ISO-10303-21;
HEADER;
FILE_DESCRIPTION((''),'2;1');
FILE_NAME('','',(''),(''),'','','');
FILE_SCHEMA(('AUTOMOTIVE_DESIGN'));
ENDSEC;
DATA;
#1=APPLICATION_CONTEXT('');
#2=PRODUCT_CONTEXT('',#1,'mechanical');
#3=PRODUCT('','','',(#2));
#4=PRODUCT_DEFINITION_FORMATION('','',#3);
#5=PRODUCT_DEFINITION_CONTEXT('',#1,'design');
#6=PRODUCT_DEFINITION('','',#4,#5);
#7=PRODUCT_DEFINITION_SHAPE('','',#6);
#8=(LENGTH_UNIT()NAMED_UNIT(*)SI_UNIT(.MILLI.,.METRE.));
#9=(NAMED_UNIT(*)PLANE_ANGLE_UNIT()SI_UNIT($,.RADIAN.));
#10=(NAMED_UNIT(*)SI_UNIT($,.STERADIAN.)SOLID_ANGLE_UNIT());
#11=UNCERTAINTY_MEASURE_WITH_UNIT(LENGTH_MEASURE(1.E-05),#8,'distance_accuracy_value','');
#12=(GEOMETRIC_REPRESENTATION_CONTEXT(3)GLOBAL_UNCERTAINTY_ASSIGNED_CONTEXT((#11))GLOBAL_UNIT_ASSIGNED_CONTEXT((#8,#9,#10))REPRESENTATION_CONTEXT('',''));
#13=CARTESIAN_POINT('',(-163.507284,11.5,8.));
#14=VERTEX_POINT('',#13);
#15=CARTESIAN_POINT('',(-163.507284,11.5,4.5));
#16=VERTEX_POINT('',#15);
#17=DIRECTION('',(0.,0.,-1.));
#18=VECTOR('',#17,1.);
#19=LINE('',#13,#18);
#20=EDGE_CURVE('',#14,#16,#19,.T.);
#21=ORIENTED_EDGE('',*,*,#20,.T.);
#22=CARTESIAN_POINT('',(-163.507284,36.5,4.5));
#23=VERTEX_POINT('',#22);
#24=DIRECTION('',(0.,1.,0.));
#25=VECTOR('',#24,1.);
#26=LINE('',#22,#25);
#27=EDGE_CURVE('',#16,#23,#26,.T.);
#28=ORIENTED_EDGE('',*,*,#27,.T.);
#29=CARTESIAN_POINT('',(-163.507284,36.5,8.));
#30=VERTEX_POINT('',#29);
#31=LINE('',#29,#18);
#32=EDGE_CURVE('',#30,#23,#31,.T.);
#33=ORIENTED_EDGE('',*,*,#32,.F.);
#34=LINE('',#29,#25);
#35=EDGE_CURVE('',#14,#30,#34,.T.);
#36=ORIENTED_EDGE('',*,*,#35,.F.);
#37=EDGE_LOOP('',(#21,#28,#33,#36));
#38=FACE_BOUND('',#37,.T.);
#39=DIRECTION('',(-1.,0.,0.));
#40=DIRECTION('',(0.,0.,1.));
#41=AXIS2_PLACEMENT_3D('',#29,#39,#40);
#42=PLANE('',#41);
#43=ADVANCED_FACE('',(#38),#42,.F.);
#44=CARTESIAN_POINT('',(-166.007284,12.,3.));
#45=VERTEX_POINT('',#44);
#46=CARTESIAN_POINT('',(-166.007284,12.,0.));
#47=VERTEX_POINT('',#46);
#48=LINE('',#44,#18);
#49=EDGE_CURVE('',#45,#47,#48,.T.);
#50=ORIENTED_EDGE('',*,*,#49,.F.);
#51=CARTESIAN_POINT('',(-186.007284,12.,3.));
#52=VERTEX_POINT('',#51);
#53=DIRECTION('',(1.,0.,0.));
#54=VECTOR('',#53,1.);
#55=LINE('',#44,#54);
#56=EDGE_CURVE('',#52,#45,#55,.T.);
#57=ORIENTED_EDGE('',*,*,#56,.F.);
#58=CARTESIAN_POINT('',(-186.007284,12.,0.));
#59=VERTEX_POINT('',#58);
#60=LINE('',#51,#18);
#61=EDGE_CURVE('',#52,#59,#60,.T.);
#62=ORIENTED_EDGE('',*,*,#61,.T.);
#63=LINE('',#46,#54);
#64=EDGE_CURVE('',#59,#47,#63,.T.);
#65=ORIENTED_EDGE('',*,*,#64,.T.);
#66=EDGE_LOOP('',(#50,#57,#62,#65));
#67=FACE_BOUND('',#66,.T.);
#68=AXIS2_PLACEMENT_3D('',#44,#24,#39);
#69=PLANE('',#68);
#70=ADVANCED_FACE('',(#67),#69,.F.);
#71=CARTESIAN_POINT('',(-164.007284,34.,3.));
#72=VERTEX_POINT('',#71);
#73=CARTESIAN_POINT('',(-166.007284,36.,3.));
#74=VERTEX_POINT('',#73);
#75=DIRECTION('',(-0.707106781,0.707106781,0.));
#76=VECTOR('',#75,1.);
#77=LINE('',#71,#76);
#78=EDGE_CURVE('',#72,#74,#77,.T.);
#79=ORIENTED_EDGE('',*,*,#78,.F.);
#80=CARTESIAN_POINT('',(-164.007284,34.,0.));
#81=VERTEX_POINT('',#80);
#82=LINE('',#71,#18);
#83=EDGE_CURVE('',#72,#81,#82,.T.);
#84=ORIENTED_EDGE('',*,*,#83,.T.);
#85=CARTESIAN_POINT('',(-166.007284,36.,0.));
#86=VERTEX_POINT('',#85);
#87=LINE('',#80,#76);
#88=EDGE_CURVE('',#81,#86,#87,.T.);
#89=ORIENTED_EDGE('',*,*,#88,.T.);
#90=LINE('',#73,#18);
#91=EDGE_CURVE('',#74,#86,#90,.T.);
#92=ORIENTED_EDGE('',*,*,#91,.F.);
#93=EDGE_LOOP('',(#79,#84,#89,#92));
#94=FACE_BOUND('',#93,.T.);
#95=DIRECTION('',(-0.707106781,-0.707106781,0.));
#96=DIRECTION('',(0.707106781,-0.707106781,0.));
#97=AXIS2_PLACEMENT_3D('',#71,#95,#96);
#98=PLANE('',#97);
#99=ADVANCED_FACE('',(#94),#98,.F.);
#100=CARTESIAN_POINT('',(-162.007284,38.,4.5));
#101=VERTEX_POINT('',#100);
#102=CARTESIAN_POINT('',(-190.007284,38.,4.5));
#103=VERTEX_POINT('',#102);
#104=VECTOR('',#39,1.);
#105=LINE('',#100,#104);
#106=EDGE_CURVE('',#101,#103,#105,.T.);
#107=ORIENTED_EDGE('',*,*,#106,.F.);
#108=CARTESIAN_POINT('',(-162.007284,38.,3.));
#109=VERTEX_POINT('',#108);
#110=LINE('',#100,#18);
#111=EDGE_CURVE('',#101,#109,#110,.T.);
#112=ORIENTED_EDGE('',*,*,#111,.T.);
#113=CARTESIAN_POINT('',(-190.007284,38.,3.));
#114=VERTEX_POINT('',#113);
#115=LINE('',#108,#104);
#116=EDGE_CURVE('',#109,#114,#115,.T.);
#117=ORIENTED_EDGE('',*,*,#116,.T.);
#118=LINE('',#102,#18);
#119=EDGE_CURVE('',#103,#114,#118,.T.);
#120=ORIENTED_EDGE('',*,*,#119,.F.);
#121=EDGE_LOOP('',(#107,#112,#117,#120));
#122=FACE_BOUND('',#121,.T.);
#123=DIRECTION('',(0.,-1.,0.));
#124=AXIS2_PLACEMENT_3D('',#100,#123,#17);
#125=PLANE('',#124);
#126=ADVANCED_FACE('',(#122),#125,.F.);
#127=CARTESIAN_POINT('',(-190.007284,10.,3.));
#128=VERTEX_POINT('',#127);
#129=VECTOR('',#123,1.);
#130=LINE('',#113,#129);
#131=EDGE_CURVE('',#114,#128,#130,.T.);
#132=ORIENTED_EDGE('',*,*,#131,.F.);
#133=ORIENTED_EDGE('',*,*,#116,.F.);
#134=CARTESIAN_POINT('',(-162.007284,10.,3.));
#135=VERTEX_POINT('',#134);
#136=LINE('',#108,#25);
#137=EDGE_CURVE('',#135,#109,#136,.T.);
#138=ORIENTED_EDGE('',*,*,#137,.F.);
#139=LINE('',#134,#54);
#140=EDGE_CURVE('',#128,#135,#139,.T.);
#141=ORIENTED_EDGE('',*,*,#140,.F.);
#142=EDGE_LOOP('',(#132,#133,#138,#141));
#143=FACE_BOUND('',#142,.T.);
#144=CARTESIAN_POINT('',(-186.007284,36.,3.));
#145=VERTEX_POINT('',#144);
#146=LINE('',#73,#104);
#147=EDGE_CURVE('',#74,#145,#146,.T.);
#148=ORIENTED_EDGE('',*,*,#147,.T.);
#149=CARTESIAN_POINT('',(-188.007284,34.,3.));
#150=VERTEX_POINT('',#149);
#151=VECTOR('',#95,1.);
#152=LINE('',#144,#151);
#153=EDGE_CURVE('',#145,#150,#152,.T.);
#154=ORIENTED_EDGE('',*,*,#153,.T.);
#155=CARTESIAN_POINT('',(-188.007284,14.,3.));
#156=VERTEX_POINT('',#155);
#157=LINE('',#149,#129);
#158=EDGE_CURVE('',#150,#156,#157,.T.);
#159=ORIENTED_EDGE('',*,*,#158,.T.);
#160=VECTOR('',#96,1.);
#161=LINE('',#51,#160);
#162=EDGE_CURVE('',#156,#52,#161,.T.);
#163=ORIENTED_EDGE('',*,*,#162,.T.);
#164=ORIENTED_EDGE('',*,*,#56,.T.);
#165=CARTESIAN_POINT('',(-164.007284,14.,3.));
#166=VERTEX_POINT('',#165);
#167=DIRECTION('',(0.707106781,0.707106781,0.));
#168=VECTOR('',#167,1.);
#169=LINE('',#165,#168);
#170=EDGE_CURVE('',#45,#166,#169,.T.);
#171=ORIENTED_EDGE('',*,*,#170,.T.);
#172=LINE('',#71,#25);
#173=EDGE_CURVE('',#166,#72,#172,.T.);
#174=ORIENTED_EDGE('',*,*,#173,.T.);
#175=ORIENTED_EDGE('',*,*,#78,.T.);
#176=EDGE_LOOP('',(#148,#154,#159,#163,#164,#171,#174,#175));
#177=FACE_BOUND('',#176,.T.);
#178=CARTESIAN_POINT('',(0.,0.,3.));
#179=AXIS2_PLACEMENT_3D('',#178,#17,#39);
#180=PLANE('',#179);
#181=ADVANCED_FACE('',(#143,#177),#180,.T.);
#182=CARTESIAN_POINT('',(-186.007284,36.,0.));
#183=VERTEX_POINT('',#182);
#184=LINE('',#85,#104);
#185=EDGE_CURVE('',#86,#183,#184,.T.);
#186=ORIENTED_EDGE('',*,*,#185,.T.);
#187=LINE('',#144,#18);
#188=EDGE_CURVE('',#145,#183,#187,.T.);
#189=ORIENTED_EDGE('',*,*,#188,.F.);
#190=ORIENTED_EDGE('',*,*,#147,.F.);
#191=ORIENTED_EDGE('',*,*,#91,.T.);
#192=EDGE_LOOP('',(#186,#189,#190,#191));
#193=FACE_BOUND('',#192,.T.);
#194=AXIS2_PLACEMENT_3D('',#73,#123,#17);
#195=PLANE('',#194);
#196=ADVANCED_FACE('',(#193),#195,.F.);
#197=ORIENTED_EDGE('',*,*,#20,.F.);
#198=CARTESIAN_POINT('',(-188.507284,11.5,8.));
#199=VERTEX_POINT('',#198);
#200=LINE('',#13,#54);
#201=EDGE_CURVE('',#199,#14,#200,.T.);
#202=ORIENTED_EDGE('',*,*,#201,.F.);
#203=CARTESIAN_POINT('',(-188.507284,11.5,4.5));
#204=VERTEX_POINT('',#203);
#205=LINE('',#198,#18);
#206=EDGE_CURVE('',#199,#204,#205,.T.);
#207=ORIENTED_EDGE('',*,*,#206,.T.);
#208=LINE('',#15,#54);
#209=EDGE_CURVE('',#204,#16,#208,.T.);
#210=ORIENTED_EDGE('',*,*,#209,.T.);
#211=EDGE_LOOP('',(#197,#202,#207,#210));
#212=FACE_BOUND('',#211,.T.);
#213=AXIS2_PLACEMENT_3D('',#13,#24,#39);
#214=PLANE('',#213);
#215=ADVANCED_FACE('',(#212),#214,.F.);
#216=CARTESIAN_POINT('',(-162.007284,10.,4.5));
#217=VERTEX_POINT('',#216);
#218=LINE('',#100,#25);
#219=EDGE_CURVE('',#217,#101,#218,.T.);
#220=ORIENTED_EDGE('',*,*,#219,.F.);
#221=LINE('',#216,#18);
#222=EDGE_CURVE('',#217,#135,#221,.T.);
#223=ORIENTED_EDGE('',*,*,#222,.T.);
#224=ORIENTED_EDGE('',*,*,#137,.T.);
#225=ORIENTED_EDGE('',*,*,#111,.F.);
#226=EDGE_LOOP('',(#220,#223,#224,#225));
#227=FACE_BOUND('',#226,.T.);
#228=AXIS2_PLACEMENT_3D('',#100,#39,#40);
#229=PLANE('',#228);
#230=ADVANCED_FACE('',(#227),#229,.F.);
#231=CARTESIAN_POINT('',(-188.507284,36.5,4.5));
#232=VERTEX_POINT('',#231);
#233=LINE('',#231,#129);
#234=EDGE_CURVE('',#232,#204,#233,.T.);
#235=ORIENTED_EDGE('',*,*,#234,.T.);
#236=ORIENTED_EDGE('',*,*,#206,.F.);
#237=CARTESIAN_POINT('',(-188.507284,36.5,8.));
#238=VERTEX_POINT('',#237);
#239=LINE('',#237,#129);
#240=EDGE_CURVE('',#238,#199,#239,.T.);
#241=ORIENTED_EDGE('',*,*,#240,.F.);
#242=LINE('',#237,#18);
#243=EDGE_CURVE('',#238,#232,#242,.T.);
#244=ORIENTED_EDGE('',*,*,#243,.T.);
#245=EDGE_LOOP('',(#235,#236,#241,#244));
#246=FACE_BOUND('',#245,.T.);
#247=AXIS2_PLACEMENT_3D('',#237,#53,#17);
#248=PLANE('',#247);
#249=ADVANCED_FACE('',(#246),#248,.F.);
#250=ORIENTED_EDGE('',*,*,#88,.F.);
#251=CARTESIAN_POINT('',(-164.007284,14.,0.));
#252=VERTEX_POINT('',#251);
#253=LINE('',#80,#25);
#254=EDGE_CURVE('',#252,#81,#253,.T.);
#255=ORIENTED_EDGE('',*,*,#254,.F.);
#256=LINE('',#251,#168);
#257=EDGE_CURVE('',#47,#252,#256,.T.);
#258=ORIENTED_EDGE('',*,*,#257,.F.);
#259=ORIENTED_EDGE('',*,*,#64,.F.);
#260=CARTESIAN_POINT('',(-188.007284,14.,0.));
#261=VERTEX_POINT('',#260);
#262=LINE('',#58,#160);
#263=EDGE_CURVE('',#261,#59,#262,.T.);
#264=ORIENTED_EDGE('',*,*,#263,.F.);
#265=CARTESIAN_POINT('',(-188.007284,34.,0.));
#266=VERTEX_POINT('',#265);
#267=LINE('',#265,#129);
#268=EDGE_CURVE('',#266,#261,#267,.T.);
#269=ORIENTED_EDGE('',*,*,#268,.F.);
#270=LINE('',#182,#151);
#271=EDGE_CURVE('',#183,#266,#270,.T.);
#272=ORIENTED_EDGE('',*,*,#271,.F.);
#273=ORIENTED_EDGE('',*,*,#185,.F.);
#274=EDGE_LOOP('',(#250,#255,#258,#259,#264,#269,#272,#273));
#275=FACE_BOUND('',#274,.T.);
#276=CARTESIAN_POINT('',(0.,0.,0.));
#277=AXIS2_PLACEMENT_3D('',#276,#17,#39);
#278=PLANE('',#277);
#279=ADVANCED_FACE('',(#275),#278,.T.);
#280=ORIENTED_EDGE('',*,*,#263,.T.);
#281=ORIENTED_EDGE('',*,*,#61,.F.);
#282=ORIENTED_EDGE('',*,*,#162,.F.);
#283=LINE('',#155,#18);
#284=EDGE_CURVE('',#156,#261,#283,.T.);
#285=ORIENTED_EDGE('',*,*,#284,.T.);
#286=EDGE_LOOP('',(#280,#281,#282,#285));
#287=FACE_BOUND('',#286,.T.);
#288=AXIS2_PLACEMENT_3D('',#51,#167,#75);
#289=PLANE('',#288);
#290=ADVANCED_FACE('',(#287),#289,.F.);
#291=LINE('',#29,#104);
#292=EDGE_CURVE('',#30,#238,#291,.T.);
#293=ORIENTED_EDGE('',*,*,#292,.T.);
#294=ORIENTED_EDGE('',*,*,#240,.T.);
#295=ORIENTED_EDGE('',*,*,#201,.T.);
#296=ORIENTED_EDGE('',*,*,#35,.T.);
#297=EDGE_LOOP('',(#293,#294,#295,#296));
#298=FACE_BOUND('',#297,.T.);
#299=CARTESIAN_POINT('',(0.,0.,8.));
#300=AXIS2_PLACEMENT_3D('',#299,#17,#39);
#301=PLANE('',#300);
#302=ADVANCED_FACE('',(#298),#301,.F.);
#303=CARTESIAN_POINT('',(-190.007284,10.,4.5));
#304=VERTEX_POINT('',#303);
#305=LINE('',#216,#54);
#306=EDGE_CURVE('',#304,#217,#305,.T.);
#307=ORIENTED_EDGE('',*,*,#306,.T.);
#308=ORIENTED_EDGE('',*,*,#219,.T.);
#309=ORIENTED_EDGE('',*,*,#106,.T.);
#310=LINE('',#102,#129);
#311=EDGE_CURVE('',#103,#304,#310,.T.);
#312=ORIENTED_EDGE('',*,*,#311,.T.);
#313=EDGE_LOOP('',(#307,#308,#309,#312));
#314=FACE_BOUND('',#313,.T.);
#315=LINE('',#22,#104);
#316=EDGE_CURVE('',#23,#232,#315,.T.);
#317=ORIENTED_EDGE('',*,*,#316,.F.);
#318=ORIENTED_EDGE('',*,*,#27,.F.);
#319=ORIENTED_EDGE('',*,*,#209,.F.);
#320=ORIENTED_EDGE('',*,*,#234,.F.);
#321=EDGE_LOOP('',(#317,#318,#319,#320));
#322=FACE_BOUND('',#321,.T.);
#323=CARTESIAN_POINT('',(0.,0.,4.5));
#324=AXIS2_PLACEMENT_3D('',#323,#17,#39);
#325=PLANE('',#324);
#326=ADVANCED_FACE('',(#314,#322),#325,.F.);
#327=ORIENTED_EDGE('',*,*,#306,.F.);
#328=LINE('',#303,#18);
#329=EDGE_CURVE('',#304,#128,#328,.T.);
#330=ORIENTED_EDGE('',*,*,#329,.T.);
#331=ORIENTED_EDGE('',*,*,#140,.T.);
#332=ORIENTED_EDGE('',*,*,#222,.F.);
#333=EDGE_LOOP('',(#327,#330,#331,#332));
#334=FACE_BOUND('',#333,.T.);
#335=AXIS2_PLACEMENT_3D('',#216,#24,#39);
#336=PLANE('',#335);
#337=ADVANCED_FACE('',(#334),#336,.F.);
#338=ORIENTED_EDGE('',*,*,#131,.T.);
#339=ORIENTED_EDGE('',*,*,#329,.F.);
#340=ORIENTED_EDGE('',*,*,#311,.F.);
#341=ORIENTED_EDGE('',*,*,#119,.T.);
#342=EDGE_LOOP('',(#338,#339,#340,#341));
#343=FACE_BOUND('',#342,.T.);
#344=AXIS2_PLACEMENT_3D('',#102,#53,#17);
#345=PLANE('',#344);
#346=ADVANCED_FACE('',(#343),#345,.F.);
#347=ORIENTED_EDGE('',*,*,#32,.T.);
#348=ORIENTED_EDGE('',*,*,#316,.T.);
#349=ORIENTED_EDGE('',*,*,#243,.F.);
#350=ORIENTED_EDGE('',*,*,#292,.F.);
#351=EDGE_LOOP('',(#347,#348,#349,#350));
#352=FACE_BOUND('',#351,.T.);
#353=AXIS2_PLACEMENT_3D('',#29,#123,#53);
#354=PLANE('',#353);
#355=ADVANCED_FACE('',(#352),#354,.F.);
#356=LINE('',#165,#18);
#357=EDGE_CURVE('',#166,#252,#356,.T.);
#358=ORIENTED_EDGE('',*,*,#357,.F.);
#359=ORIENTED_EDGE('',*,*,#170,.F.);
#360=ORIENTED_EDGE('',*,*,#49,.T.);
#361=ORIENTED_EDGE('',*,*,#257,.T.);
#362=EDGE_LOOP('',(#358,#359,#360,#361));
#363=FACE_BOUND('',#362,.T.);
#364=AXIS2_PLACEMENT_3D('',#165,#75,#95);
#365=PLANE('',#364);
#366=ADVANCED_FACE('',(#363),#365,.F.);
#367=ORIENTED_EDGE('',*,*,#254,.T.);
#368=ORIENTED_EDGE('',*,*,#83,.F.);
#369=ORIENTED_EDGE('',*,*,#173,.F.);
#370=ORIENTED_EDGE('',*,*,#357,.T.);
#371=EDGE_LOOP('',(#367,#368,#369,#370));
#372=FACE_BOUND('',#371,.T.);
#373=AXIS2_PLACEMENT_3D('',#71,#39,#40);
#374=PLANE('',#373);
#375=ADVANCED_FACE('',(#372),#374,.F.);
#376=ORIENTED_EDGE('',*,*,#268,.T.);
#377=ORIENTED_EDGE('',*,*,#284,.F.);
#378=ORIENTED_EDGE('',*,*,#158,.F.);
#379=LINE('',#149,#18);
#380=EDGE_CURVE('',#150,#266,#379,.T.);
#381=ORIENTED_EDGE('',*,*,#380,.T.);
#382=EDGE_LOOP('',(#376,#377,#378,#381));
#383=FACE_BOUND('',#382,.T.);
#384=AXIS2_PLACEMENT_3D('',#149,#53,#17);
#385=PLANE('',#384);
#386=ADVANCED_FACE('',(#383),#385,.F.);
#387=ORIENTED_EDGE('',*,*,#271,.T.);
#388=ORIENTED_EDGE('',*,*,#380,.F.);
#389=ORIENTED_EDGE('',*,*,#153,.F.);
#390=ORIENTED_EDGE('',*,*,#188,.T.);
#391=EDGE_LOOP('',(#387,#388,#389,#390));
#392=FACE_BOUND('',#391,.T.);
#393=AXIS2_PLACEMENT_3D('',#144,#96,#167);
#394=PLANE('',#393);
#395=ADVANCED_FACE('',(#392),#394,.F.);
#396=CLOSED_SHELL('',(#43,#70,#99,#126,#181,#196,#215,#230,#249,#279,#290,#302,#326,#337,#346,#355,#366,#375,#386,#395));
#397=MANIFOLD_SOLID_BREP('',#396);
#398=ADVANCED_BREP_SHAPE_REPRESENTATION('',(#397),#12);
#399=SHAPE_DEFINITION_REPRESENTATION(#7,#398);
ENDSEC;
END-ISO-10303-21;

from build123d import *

# Parameters (mm, degrees)
BOSS_EXTRUDE1_DEPTH = 3
SKETCH2_W           = 28
SKETCH2_H           = 28
BOSS_EXTRUDE2_DEPTH = 1.5
SKETCH3_W           = 25
SKETCH3_H           = 25
BOSS_EXTRUDE3_DEPTH = 3.5


with BuildPart() as part:
    # Sketch1 → Boss-Extrude1 (new body)
    with BuildSketch(Plane.XY):
        Polygon((-166.007283518, 36), (-186.007283518, 36), (-188.007283518, 34), (-188.007283518, 14), (-186.007283518, 12), (-166.007283518, 12), (-164.007283518, 14), (-164.007283518, 34), align=None)
    extrude(amount=BOSS_EXTRUDE1_DEPTH)

    # Sketch2 → Boss-Extrude2 (add)
    with BuildSketch(Plane.XY.offset(3)):
        with Locations((-176.007283518, 24)):
            Rectangle(SKETCH2_W, SKETCH2_H)
    extrude(amount=BOSS_EXTRUDE2_DEPTH)

    # Sketch3 → Boss-Extrude3 (add)
    with BuildSketch(Plane.XY.offset(4.5)):
        with Locations((-176.007283518, 24)):
            Rectangle(SKETCH3_W, SKETCH3_H)
    extrude(amount=BOSS_EXTRUDE3_DEPTH)


solid = part.part
